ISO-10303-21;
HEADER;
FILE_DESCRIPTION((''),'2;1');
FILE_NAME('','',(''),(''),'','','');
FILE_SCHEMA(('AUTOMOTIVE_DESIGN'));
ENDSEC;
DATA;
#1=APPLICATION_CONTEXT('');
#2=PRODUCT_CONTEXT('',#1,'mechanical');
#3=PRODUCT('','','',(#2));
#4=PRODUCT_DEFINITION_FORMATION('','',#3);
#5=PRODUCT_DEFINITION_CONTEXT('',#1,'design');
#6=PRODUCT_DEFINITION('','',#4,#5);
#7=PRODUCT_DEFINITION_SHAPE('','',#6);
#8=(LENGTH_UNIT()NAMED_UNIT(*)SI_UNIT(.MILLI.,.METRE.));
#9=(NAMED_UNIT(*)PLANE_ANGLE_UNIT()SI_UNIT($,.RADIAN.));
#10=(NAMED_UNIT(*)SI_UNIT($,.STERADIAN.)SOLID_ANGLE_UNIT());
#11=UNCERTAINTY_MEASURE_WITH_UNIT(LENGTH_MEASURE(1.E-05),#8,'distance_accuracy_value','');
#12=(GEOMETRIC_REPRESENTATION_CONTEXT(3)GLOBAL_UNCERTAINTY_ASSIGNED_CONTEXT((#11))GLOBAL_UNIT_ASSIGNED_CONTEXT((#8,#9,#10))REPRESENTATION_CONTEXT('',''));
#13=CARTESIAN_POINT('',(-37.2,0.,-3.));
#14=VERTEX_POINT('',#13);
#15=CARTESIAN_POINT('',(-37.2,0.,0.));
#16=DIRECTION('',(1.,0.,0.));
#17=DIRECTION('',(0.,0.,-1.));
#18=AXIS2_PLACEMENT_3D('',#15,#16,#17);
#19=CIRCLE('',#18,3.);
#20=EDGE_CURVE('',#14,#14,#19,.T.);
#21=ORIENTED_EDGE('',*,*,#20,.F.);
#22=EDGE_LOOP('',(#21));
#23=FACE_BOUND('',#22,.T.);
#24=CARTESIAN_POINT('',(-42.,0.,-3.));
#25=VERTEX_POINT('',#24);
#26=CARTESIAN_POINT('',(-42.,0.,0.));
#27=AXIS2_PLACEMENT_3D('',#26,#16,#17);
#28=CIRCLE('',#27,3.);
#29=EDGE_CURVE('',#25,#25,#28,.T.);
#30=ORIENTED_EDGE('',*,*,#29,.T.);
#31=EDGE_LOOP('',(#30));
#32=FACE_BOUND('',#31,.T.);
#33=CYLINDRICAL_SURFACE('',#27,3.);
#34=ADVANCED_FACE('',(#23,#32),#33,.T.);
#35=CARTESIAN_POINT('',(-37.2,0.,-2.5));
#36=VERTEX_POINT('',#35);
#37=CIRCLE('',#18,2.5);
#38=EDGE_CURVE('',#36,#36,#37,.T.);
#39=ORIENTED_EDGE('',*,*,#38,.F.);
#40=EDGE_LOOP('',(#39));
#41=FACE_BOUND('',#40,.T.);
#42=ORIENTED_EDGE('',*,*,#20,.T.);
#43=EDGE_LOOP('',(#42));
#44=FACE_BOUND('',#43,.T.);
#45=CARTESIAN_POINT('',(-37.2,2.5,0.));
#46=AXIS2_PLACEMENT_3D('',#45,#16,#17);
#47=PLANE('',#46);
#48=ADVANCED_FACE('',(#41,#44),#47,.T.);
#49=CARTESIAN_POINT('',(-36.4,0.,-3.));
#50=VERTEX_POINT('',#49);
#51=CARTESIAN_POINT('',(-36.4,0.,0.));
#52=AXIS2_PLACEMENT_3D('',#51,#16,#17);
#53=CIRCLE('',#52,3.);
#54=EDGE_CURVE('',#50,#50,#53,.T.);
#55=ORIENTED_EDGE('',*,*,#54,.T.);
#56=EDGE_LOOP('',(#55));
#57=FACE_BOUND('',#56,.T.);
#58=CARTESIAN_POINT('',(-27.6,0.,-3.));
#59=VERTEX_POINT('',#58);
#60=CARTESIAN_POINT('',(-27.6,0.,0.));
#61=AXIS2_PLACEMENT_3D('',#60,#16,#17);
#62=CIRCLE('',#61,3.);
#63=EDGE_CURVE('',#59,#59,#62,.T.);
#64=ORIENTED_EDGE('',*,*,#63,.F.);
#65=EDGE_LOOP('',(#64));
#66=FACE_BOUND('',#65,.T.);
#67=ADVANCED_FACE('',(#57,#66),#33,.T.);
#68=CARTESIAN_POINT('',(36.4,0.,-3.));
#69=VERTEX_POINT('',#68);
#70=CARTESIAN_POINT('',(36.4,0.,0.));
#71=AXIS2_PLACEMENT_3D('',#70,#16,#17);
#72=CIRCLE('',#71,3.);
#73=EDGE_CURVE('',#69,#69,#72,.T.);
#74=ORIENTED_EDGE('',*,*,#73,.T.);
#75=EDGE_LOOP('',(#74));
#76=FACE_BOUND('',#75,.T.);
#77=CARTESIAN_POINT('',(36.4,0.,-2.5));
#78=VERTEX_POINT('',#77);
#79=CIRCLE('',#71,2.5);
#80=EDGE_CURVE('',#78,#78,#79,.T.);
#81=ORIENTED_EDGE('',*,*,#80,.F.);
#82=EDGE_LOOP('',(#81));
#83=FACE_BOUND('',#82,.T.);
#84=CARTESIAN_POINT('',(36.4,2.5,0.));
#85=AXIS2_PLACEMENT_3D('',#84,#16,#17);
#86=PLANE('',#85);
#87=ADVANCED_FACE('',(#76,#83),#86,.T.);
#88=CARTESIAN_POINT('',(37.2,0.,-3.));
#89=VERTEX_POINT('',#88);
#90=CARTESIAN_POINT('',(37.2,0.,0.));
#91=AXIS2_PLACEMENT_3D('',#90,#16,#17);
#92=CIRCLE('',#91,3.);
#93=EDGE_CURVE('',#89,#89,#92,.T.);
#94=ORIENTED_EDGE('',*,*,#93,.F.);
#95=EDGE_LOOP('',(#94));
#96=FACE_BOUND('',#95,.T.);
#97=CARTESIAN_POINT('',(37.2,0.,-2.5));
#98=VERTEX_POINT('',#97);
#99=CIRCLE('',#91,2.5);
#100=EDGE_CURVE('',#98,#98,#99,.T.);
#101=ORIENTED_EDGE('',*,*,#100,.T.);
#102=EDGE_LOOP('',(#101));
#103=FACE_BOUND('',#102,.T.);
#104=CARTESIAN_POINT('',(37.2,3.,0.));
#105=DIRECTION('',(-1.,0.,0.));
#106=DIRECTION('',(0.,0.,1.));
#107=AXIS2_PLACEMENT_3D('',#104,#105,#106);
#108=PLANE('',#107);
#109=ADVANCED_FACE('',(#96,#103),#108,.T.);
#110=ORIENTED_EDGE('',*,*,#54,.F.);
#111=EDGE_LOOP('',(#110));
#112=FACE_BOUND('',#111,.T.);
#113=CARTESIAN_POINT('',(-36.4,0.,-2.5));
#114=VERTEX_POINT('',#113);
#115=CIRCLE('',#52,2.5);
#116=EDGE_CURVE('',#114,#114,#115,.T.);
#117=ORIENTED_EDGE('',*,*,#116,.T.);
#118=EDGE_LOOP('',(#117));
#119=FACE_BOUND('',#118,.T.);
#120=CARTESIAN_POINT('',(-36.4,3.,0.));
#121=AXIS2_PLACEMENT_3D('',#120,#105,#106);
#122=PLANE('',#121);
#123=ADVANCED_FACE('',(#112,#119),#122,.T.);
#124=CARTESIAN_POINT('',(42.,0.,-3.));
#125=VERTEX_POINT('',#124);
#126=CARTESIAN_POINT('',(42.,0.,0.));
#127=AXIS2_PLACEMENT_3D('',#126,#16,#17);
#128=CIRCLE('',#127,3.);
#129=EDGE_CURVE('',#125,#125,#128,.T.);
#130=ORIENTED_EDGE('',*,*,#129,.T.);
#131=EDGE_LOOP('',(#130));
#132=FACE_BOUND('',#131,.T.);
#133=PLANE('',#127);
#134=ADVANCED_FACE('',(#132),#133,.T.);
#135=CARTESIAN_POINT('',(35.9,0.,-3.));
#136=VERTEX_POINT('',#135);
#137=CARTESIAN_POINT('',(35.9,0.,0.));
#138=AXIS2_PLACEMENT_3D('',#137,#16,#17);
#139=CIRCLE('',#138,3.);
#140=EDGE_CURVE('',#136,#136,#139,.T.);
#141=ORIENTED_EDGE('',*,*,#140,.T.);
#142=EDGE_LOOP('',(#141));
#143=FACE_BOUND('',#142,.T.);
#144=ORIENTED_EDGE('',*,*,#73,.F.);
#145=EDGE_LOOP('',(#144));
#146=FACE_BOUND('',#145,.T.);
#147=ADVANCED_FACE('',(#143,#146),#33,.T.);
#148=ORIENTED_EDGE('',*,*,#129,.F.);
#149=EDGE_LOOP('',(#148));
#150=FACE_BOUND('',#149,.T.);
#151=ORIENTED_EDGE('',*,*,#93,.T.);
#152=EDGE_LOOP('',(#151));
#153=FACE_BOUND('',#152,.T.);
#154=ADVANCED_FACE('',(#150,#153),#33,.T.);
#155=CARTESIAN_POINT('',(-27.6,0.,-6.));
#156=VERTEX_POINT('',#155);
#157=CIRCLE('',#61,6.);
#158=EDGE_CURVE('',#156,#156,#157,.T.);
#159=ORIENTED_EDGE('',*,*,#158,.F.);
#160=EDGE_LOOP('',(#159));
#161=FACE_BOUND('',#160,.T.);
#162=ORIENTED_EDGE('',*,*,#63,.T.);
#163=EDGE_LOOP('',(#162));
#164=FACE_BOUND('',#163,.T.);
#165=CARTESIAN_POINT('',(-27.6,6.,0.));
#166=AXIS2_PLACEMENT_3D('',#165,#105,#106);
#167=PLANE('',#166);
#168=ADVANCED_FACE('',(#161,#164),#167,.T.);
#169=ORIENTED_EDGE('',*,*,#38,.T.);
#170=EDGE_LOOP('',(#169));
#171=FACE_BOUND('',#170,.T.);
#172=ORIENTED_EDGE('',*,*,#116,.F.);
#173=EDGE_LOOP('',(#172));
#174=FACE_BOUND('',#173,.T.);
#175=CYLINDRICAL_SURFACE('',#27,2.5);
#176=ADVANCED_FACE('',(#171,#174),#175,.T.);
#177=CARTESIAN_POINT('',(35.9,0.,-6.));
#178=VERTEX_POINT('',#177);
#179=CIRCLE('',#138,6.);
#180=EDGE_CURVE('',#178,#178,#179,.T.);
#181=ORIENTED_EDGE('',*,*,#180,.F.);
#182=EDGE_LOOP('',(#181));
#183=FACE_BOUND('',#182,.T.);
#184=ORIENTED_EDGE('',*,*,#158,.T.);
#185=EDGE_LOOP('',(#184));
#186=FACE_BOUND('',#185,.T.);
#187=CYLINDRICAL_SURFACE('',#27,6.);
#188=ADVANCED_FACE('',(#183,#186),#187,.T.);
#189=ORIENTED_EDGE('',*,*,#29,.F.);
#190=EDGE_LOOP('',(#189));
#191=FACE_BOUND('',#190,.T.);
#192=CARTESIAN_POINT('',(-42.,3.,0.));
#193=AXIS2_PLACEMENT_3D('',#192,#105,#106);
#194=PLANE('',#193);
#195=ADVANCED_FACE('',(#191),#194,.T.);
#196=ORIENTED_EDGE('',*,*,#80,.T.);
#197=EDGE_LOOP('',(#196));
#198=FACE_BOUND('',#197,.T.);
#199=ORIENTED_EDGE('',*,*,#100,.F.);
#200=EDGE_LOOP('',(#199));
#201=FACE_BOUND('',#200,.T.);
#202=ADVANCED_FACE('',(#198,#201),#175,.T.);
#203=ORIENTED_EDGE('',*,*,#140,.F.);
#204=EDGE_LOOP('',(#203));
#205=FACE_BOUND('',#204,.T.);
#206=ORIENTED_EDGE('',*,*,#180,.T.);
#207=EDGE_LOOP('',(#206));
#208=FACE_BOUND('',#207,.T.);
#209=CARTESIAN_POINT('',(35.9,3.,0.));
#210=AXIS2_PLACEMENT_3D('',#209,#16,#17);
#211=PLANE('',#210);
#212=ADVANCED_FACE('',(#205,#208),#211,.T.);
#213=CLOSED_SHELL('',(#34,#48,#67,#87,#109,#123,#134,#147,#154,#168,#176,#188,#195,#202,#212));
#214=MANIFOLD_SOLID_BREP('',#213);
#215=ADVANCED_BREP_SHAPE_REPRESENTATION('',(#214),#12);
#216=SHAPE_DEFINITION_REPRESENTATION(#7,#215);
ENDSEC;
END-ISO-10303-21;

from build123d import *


with BuildPart() as part:
    # Sketch1 → Revolve1 (revolve)
    with BuildSketch(Plane.XY):
        Polygon((-42, 3), (-42, 0), (42, 0), (42, 3), (37.2, 3), (37.2, 2.5), (36.4, 2.5), (36.4, 3), (35.9, 3), (35.9, 6), (-27.6, 6), (-27.6, 3), (-36.4, 3), (-36.4, 2.5), (-37.2, 2.5), (-37.2, 3), align=None)
    revolve(axis=Axis((-42, 0, 0), (1, 0, 0)))


solid = part.part
